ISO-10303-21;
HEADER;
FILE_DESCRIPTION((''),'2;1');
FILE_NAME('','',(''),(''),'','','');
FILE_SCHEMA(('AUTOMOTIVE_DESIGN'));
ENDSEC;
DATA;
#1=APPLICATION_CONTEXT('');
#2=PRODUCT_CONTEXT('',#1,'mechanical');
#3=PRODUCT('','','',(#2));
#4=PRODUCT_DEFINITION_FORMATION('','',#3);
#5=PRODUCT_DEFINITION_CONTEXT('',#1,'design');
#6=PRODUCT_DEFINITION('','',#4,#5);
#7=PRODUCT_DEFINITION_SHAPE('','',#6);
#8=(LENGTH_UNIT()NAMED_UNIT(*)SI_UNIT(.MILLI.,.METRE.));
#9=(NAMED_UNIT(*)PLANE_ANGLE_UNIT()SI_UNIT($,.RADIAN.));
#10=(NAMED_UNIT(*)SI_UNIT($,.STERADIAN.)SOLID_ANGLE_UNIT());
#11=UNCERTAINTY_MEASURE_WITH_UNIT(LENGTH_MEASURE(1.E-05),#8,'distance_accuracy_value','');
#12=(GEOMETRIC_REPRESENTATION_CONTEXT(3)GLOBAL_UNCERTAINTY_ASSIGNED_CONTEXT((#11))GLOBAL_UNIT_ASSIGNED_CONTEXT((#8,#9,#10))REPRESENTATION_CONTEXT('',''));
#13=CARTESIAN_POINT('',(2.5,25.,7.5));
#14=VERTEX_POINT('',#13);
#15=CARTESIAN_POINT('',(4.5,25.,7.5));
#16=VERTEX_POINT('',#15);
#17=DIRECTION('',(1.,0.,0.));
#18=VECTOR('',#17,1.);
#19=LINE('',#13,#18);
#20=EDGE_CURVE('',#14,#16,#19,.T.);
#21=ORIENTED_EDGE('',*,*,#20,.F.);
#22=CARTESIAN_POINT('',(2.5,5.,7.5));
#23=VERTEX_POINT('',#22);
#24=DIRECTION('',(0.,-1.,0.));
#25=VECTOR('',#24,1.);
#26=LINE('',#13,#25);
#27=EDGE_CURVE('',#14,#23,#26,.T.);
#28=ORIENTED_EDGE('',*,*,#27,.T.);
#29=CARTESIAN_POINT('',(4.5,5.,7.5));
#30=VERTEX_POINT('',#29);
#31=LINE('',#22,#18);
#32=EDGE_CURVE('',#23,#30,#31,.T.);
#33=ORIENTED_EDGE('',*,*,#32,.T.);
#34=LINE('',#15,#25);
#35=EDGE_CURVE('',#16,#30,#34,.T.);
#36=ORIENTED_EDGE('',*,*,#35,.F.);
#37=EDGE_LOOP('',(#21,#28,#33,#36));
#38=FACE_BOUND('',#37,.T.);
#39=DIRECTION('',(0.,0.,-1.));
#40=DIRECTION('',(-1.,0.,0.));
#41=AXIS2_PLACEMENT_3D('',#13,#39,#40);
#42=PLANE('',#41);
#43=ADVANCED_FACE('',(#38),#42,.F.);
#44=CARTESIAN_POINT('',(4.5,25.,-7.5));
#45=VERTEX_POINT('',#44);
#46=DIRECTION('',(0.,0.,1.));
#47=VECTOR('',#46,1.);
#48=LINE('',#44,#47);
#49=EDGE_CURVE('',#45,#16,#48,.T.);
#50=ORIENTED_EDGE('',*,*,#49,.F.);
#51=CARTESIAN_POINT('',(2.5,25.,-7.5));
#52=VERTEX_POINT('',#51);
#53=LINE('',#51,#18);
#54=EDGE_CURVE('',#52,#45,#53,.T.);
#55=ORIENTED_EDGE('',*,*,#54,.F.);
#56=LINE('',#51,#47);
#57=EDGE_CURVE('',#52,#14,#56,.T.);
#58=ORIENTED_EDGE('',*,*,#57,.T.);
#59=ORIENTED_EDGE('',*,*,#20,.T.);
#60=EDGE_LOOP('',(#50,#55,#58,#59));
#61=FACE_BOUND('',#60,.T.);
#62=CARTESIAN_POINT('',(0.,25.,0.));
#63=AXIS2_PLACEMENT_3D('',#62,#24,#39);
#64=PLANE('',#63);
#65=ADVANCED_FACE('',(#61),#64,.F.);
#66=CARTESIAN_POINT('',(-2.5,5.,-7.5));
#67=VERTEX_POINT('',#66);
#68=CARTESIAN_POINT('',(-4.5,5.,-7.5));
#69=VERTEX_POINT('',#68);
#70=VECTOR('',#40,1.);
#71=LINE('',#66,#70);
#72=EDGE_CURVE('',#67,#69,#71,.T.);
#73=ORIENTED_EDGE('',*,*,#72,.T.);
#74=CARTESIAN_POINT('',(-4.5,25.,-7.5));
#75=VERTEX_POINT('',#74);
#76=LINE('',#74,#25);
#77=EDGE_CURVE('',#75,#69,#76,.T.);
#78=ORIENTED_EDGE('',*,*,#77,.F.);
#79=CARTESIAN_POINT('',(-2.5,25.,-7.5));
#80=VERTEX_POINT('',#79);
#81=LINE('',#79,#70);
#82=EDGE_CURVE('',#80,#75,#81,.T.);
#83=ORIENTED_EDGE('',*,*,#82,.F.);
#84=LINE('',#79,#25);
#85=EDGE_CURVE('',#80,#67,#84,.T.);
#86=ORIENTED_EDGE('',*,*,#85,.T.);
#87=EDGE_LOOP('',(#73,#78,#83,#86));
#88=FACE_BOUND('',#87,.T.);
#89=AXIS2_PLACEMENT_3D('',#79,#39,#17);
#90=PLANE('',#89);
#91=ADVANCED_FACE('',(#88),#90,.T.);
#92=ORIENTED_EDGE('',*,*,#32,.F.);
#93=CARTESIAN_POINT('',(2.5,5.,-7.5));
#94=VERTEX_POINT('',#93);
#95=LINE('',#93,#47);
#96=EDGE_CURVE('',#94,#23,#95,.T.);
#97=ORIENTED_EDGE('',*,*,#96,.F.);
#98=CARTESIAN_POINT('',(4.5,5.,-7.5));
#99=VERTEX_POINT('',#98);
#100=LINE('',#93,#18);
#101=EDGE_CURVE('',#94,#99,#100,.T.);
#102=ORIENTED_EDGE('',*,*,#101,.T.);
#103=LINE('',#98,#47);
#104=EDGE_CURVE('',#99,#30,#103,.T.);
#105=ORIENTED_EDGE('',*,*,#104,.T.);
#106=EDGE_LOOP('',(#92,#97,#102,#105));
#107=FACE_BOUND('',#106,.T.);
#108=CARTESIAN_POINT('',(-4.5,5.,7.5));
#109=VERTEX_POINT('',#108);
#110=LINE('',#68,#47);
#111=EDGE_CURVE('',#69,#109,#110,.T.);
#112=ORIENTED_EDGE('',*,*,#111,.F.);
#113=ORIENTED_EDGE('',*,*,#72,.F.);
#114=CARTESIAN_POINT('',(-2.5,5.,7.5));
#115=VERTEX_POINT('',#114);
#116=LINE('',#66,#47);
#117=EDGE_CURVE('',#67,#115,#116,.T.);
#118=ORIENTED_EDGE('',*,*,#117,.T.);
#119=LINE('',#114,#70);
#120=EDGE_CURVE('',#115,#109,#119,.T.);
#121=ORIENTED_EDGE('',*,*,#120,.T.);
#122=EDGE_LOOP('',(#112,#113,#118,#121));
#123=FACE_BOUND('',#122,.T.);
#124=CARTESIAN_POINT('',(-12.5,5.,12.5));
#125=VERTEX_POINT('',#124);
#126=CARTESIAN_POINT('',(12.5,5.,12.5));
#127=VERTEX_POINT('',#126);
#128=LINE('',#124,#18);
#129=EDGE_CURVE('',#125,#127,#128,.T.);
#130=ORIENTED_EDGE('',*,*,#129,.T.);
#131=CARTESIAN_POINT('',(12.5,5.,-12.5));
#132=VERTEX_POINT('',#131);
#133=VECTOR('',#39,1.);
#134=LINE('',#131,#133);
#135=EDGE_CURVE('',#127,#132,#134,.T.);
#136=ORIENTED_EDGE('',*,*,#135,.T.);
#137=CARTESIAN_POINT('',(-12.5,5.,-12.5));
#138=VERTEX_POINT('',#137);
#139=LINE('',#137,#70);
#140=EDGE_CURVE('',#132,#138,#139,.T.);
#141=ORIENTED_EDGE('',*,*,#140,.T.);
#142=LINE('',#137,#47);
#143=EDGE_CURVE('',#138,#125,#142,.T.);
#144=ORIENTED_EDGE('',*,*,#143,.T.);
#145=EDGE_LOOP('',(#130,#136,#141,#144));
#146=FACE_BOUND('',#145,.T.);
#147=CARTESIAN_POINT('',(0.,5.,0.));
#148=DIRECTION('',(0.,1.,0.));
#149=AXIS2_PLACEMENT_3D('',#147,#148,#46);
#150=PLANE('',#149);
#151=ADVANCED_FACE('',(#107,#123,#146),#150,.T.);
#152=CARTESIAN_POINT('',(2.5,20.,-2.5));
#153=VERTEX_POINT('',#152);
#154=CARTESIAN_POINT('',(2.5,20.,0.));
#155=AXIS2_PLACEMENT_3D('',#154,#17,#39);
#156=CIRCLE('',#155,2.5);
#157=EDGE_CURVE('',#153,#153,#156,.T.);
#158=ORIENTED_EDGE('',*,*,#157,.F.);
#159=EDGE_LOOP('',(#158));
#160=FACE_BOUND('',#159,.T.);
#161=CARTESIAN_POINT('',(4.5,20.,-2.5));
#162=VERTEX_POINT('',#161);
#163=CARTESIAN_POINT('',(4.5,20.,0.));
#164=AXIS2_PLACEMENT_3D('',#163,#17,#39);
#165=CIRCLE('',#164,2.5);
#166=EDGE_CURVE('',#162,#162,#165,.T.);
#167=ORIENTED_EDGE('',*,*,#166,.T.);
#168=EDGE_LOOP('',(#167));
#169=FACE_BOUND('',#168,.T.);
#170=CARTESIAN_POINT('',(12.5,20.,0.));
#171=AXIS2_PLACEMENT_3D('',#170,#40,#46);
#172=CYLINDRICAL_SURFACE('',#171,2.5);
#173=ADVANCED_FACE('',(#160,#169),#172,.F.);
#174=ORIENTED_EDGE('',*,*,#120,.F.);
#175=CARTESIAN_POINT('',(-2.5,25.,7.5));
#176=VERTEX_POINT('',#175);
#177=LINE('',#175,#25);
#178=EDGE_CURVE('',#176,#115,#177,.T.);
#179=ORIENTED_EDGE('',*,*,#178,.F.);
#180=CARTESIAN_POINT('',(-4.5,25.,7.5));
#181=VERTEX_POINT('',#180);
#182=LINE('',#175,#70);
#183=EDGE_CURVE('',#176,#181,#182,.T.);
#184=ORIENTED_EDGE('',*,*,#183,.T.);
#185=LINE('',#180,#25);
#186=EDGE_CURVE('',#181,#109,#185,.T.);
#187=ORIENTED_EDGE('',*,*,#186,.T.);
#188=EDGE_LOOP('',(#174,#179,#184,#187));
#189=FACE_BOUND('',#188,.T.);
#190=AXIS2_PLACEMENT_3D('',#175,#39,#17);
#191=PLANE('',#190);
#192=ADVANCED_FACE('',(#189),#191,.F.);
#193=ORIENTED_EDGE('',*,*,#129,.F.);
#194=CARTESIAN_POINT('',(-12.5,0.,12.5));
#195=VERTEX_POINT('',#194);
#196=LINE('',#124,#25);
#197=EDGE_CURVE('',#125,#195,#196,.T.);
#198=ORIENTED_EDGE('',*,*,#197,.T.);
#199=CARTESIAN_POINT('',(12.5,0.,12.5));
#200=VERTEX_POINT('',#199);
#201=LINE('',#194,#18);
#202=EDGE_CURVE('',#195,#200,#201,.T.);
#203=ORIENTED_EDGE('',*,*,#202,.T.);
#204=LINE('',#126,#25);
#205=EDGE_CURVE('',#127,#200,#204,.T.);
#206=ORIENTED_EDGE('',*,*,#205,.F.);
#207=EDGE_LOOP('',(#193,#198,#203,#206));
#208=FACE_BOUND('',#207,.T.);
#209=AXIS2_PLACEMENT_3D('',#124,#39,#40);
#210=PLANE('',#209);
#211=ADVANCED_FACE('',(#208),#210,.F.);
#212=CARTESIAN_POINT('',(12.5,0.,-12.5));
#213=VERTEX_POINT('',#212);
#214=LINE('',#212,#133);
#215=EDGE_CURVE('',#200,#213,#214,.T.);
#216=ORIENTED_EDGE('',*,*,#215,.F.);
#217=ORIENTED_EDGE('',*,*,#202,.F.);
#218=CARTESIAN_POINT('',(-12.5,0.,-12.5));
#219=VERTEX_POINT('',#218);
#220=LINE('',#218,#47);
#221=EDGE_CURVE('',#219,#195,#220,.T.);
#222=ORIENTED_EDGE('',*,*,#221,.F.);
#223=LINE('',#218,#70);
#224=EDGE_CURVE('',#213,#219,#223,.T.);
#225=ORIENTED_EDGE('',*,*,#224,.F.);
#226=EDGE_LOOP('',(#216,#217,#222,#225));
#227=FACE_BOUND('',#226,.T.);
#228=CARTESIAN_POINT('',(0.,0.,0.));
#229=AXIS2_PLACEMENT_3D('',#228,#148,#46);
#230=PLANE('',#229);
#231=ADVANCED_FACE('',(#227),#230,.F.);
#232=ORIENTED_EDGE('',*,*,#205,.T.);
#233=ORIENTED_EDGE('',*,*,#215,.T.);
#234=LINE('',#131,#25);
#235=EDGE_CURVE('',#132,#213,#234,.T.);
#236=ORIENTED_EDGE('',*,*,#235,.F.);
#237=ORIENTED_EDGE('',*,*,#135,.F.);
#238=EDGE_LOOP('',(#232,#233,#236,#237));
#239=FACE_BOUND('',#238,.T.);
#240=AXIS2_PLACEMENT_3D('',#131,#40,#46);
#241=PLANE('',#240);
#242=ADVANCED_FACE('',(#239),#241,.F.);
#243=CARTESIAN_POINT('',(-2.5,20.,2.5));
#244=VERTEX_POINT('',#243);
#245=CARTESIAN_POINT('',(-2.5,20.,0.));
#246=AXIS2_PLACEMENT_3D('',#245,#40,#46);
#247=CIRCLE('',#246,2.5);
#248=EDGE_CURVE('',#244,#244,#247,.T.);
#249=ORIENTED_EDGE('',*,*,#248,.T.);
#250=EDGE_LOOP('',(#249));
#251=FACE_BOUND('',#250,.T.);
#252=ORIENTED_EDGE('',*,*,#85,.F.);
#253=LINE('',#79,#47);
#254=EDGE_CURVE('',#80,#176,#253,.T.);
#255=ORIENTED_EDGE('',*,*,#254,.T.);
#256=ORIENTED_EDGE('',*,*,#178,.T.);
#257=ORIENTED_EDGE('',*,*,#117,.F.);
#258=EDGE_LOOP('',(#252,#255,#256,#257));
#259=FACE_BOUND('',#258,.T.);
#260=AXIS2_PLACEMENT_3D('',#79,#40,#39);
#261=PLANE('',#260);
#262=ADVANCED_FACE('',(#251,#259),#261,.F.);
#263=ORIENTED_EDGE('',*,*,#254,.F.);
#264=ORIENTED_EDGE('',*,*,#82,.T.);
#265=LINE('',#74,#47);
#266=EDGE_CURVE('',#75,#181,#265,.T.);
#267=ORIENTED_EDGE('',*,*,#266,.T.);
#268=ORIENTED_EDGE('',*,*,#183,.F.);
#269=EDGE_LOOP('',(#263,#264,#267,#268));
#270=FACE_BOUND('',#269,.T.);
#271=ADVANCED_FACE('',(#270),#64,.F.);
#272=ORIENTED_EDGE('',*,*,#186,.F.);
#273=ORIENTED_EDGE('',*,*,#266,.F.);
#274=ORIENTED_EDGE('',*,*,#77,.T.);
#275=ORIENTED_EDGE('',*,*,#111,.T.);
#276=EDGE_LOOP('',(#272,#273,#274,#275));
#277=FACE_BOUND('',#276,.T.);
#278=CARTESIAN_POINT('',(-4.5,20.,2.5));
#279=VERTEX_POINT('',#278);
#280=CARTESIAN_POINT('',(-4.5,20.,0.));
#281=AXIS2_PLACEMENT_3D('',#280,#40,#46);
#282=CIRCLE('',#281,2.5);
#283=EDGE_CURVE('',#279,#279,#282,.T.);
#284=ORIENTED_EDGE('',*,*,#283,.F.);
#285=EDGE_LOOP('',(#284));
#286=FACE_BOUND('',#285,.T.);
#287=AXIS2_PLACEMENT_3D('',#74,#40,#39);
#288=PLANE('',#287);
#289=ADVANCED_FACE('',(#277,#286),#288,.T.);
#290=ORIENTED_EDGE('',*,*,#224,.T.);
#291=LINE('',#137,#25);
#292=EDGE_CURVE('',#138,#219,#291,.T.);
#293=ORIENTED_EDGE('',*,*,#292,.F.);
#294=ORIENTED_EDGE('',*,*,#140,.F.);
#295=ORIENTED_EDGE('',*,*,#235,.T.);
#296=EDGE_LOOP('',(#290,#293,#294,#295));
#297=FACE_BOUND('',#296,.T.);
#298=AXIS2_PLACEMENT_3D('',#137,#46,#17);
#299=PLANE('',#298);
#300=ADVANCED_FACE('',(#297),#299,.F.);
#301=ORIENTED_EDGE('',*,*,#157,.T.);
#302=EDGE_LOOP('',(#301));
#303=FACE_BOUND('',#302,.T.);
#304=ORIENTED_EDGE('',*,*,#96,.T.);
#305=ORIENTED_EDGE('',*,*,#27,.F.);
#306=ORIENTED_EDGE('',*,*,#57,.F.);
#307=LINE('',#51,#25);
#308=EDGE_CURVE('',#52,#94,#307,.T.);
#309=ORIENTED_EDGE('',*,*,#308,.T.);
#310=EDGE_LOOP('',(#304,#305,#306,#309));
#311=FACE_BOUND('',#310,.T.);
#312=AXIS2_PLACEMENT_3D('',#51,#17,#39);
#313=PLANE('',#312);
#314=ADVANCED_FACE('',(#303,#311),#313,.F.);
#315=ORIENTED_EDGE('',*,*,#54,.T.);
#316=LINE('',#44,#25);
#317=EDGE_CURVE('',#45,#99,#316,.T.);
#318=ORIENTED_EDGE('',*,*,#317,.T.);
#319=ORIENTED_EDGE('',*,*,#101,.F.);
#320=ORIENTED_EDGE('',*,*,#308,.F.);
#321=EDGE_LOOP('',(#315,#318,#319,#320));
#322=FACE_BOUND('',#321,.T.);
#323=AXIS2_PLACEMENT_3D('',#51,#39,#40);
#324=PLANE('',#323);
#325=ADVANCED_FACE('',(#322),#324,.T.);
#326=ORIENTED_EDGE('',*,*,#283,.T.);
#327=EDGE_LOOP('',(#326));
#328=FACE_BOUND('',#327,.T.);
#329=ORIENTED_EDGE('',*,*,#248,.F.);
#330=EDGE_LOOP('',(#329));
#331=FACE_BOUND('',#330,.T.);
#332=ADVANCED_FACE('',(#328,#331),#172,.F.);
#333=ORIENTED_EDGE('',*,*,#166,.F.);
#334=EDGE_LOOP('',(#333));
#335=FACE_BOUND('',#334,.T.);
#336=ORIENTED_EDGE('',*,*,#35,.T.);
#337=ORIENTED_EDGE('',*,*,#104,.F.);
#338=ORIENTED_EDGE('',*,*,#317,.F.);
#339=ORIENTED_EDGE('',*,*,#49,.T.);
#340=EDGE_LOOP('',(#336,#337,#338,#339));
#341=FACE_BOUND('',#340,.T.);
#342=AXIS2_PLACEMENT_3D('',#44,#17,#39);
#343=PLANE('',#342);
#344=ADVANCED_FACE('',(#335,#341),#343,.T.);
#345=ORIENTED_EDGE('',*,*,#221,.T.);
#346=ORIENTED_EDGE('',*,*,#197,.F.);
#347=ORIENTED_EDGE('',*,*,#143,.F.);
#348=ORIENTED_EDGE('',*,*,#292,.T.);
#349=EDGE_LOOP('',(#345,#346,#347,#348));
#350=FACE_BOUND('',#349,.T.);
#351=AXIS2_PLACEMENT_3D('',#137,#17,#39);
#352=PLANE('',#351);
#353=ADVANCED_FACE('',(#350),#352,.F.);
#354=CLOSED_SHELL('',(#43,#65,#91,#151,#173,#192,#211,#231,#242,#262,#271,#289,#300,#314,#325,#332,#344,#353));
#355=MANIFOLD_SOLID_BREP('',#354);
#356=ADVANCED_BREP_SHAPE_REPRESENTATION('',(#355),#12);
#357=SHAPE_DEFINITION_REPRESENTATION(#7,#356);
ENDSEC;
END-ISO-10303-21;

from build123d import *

# Parameters (mm, degrees)
SKETCH1_W           = 25
SKETCH1_H           = 25
BOSS_EXTRUDE1_DEPTH = 5
SKETCH10_W          = 2
SKETCH10_H          = 15
BOSS_EXTRUDE3_DEPTH = 20
SKETCH13_R          = 2.5
CUT_EXTRUDE3_DEPTH  = 33.714675606


with BuildPart() as part:
    # Sketch1 → Boss-Extrude1 (new body)
    with BuildSketch(Plane(origin=(0, 0, 0), x_dir=(1, 0, 0), z_dir=(0, 1, 0))):
        Rectangle(SKETCH1_W, SKETCH1_H)
    extrude(amount=BOSS_EXTRUDE1_DEPTH)

    # Sketch10 → Boss-Extrude3 (add)
    with BuildSketch(Plane(origin=(0, 5, 0), x_dir=(1, 0, 0), z_dir=(0, 1, 0))):
        with Locations((3.5, 0)):
            Rectangle(SKETCH10_W, SKETCH10_H)
    extrude(amount=BOSS_EXTRUDE3_DEPTH)

    # Mirror1: part across plane


with BuildPart() as part_1:
    add(part.part)
    add(part.part.mirror(Plane(origin=(0, 0, 0), x_dir=(0, 0, 1), z_dir=(1, 0, 0))))

    # Sketch13 → Cut-Extrude3 (cut, through all)
    with BuildSketch(Plane.ZY.offset(4.5)):
        with Locations((0, 20)):
            Circle(SKETCH13_R)
    extrude(amount=-CUT_EXTRUDE3_DEPTH, mode=Mode.SUBTRACT)


solid = part_1.part
